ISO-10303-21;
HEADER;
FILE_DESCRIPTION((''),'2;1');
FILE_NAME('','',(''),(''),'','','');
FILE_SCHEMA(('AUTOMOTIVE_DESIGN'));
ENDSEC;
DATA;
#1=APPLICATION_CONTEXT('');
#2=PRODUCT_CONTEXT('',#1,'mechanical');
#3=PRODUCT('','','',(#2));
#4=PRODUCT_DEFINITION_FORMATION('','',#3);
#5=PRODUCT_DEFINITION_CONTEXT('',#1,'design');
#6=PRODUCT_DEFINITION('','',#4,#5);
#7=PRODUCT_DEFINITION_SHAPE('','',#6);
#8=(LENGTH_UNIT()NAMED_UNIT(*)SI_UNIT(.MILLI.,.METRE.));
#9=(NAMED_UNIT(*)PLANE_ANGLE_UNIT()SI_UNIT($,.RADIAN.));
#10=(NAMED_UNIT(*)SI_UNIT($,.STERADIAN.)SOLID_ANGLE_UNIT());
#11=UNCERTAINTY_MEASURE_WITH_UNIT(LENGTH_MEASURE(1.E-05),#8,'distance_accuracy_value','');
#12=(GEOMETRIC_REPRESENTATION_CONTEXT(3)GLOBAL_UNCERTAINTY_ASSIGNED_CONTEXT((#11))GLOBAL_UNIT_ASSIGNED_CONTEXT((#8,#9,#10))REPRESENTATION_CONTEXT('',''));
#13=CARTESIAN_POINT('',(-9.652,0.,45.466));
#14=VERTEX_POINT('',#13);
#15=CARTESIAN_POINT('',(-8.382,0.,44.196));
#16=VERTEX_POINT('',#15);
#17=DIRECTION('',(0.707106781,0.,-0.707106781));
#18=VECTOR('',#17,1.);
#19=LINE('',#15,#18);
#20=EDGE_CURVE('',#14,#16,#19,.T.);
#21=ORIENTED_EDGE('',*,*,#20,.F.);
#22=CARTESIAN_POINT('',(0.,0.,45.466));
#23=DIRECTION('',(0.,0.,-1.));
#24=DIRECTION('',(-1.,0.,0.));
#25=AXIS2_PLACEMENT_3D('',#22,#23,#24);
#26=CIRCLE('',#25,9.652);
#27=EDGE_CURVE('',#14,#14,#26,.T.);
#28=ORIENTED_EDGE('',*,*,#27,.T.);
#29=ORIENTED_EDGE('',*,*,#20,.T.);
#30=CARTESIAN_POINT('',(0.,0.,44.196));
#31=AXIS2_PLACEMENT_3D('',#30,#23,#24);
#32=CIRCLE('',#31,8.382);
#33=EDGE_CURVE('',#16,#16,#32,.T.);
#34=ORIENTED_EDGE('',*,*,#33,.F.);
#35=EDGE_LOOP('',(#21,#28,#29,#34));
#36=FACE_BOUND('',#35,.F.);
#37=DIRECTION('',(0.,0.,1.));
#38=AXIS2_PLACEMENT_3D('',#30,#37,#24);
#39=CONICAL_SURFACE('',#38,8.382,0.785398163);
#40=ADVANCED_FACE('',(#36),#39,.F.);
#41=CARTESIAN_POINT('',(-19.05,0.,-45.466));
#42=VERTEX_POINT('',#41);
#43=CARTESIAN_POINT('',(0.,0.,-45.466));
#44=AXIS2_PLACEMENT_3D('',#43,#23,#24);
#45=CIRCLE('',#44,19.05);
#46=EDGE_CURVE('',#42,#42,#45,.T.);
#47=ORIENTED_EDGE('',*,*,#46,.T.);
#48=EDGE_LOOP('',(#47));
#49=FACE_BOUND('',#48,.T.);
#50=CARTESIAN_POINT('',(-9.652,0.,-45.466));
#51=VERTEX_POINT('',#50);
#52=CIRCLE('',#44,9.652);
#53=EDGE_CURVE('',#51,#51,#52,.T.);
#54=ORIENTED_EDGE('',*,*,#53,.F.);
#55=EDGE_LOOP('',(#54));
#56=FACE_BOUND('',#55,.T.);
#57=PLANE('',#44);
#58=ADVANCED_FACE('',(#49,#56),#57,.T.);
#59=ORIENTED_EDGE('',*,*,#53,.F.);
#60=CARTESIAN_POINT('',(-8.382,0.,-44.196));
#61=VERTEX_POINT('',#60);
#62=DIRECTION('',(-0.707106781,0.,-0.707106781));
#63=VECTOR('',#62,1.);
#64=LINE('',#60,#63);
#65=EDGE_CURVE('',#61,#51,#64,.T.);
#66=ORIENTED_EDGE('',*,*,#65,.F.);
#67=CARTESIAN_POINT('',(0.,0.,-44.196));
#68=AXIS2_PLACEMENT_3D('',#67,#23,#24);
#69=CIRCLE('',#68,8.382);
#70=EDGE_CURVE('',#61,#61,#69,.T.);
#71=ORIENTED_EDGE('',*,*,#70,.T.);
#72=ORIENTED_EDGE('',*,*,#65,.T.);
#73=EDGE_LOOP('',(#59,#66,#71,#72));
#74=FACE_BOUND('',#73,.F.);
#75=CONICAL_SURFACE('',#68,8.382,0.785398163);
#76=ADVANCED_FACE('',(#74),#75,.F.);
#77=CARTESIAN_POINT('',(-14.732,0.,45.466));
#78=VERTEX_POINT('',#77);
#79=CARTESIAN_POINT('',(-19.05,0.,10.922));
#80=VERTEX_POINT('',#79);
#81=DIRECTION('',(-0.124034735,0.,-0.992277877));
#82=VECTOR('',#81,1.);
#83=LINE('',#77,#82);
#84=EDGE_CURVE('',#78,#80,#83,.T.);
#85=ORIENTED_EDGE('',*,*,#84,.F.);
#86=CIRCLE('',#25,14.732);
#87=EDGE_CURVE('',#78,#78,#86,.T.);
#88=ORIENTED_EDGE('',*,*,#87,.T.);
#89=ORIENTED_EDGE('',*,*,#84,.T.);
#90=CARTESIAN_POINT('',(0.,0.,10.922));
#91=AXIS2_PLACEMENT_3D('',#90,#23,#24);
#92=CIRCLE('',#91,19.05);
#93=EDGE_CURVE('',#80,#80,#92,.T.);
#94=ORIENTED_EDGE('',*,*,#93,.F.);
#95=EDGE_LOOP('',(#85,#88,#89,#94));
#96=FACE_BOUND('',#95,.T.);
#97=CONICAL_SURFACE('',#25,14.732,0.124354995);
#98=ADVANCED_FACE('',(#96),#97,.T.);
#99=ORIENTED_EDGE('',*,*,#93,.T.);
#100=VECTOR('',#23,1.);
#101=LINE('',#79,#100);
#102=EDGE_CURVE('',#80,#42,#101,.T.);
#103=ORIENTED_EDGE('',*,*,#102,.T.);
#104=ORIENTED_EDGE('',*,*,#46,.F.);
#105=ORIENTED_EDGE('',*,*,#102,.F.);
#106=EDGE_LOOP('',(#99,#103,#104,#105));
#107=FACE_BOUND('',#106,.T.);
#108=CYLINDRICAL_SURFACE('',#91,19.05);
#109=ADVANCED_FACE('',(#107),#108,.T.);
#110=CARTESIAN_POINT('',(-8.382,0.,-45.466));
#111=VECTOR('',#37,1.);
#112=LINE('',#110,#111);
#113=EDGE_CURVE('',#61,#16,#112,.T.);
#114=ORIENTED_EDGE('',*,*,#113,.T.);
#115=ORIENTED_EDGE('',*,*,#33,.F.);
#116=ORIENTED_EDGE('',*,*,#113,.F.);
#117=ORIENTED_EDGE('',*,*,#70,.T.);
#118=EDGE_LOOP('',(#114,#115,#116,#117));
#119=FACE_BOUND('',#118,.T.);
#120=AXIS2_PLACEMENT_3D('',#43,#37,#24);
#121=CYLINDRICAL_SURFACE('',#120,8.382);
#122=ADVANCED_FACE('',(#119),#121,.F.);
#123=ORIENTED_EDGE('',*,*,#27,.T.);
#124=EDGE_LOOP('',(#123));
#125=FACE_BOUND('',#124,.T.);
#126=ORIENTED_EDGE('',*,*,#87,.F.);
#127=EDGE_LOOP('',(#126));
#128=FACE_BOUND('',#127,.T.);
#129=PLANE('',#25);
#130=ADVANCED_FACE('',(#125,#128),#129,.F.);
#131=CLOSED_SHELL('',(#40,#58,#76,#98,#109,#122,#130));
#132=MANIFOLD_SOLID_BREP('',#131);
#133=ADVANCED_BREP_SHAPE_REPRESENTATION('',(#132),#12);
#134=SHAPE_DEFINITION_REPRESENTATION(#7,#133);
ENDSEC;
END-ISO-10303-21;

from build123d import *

# Parameters (mm, degrees)
F3_SIZE = 1.27
F4_SIZE = 1.27


with BuildPart() as f2:
    # F0 (on Front) → F2 (revolve)
    with BuildSketch(Plane.XZ):
        Polygon((-8.382, 0), (-8.382, 45.466), (-14.732, 45.466), (-19.05, 10.922), (-19.05, -45.466), (-8.382, -45.466), align=None)
    revolve(axis=Axis((0, 0, 0.149863), (0, 0, -1)))

    # F3
    f3_edges = [f2.edges().sort_by_distance(p)[0] for p in [
        (8.382, 0, 45.466),
    ]]
    chamfer(f3_edges, length=F3_SIZE)

    # F4
    f4_edges = [f2.edges().sort_by_distance(p)[0] for p in [
        (8.382, 0, -45.466),
    ]]
    chamfer(f4_edges, length=F4_SIZE)


solid = f2.part
